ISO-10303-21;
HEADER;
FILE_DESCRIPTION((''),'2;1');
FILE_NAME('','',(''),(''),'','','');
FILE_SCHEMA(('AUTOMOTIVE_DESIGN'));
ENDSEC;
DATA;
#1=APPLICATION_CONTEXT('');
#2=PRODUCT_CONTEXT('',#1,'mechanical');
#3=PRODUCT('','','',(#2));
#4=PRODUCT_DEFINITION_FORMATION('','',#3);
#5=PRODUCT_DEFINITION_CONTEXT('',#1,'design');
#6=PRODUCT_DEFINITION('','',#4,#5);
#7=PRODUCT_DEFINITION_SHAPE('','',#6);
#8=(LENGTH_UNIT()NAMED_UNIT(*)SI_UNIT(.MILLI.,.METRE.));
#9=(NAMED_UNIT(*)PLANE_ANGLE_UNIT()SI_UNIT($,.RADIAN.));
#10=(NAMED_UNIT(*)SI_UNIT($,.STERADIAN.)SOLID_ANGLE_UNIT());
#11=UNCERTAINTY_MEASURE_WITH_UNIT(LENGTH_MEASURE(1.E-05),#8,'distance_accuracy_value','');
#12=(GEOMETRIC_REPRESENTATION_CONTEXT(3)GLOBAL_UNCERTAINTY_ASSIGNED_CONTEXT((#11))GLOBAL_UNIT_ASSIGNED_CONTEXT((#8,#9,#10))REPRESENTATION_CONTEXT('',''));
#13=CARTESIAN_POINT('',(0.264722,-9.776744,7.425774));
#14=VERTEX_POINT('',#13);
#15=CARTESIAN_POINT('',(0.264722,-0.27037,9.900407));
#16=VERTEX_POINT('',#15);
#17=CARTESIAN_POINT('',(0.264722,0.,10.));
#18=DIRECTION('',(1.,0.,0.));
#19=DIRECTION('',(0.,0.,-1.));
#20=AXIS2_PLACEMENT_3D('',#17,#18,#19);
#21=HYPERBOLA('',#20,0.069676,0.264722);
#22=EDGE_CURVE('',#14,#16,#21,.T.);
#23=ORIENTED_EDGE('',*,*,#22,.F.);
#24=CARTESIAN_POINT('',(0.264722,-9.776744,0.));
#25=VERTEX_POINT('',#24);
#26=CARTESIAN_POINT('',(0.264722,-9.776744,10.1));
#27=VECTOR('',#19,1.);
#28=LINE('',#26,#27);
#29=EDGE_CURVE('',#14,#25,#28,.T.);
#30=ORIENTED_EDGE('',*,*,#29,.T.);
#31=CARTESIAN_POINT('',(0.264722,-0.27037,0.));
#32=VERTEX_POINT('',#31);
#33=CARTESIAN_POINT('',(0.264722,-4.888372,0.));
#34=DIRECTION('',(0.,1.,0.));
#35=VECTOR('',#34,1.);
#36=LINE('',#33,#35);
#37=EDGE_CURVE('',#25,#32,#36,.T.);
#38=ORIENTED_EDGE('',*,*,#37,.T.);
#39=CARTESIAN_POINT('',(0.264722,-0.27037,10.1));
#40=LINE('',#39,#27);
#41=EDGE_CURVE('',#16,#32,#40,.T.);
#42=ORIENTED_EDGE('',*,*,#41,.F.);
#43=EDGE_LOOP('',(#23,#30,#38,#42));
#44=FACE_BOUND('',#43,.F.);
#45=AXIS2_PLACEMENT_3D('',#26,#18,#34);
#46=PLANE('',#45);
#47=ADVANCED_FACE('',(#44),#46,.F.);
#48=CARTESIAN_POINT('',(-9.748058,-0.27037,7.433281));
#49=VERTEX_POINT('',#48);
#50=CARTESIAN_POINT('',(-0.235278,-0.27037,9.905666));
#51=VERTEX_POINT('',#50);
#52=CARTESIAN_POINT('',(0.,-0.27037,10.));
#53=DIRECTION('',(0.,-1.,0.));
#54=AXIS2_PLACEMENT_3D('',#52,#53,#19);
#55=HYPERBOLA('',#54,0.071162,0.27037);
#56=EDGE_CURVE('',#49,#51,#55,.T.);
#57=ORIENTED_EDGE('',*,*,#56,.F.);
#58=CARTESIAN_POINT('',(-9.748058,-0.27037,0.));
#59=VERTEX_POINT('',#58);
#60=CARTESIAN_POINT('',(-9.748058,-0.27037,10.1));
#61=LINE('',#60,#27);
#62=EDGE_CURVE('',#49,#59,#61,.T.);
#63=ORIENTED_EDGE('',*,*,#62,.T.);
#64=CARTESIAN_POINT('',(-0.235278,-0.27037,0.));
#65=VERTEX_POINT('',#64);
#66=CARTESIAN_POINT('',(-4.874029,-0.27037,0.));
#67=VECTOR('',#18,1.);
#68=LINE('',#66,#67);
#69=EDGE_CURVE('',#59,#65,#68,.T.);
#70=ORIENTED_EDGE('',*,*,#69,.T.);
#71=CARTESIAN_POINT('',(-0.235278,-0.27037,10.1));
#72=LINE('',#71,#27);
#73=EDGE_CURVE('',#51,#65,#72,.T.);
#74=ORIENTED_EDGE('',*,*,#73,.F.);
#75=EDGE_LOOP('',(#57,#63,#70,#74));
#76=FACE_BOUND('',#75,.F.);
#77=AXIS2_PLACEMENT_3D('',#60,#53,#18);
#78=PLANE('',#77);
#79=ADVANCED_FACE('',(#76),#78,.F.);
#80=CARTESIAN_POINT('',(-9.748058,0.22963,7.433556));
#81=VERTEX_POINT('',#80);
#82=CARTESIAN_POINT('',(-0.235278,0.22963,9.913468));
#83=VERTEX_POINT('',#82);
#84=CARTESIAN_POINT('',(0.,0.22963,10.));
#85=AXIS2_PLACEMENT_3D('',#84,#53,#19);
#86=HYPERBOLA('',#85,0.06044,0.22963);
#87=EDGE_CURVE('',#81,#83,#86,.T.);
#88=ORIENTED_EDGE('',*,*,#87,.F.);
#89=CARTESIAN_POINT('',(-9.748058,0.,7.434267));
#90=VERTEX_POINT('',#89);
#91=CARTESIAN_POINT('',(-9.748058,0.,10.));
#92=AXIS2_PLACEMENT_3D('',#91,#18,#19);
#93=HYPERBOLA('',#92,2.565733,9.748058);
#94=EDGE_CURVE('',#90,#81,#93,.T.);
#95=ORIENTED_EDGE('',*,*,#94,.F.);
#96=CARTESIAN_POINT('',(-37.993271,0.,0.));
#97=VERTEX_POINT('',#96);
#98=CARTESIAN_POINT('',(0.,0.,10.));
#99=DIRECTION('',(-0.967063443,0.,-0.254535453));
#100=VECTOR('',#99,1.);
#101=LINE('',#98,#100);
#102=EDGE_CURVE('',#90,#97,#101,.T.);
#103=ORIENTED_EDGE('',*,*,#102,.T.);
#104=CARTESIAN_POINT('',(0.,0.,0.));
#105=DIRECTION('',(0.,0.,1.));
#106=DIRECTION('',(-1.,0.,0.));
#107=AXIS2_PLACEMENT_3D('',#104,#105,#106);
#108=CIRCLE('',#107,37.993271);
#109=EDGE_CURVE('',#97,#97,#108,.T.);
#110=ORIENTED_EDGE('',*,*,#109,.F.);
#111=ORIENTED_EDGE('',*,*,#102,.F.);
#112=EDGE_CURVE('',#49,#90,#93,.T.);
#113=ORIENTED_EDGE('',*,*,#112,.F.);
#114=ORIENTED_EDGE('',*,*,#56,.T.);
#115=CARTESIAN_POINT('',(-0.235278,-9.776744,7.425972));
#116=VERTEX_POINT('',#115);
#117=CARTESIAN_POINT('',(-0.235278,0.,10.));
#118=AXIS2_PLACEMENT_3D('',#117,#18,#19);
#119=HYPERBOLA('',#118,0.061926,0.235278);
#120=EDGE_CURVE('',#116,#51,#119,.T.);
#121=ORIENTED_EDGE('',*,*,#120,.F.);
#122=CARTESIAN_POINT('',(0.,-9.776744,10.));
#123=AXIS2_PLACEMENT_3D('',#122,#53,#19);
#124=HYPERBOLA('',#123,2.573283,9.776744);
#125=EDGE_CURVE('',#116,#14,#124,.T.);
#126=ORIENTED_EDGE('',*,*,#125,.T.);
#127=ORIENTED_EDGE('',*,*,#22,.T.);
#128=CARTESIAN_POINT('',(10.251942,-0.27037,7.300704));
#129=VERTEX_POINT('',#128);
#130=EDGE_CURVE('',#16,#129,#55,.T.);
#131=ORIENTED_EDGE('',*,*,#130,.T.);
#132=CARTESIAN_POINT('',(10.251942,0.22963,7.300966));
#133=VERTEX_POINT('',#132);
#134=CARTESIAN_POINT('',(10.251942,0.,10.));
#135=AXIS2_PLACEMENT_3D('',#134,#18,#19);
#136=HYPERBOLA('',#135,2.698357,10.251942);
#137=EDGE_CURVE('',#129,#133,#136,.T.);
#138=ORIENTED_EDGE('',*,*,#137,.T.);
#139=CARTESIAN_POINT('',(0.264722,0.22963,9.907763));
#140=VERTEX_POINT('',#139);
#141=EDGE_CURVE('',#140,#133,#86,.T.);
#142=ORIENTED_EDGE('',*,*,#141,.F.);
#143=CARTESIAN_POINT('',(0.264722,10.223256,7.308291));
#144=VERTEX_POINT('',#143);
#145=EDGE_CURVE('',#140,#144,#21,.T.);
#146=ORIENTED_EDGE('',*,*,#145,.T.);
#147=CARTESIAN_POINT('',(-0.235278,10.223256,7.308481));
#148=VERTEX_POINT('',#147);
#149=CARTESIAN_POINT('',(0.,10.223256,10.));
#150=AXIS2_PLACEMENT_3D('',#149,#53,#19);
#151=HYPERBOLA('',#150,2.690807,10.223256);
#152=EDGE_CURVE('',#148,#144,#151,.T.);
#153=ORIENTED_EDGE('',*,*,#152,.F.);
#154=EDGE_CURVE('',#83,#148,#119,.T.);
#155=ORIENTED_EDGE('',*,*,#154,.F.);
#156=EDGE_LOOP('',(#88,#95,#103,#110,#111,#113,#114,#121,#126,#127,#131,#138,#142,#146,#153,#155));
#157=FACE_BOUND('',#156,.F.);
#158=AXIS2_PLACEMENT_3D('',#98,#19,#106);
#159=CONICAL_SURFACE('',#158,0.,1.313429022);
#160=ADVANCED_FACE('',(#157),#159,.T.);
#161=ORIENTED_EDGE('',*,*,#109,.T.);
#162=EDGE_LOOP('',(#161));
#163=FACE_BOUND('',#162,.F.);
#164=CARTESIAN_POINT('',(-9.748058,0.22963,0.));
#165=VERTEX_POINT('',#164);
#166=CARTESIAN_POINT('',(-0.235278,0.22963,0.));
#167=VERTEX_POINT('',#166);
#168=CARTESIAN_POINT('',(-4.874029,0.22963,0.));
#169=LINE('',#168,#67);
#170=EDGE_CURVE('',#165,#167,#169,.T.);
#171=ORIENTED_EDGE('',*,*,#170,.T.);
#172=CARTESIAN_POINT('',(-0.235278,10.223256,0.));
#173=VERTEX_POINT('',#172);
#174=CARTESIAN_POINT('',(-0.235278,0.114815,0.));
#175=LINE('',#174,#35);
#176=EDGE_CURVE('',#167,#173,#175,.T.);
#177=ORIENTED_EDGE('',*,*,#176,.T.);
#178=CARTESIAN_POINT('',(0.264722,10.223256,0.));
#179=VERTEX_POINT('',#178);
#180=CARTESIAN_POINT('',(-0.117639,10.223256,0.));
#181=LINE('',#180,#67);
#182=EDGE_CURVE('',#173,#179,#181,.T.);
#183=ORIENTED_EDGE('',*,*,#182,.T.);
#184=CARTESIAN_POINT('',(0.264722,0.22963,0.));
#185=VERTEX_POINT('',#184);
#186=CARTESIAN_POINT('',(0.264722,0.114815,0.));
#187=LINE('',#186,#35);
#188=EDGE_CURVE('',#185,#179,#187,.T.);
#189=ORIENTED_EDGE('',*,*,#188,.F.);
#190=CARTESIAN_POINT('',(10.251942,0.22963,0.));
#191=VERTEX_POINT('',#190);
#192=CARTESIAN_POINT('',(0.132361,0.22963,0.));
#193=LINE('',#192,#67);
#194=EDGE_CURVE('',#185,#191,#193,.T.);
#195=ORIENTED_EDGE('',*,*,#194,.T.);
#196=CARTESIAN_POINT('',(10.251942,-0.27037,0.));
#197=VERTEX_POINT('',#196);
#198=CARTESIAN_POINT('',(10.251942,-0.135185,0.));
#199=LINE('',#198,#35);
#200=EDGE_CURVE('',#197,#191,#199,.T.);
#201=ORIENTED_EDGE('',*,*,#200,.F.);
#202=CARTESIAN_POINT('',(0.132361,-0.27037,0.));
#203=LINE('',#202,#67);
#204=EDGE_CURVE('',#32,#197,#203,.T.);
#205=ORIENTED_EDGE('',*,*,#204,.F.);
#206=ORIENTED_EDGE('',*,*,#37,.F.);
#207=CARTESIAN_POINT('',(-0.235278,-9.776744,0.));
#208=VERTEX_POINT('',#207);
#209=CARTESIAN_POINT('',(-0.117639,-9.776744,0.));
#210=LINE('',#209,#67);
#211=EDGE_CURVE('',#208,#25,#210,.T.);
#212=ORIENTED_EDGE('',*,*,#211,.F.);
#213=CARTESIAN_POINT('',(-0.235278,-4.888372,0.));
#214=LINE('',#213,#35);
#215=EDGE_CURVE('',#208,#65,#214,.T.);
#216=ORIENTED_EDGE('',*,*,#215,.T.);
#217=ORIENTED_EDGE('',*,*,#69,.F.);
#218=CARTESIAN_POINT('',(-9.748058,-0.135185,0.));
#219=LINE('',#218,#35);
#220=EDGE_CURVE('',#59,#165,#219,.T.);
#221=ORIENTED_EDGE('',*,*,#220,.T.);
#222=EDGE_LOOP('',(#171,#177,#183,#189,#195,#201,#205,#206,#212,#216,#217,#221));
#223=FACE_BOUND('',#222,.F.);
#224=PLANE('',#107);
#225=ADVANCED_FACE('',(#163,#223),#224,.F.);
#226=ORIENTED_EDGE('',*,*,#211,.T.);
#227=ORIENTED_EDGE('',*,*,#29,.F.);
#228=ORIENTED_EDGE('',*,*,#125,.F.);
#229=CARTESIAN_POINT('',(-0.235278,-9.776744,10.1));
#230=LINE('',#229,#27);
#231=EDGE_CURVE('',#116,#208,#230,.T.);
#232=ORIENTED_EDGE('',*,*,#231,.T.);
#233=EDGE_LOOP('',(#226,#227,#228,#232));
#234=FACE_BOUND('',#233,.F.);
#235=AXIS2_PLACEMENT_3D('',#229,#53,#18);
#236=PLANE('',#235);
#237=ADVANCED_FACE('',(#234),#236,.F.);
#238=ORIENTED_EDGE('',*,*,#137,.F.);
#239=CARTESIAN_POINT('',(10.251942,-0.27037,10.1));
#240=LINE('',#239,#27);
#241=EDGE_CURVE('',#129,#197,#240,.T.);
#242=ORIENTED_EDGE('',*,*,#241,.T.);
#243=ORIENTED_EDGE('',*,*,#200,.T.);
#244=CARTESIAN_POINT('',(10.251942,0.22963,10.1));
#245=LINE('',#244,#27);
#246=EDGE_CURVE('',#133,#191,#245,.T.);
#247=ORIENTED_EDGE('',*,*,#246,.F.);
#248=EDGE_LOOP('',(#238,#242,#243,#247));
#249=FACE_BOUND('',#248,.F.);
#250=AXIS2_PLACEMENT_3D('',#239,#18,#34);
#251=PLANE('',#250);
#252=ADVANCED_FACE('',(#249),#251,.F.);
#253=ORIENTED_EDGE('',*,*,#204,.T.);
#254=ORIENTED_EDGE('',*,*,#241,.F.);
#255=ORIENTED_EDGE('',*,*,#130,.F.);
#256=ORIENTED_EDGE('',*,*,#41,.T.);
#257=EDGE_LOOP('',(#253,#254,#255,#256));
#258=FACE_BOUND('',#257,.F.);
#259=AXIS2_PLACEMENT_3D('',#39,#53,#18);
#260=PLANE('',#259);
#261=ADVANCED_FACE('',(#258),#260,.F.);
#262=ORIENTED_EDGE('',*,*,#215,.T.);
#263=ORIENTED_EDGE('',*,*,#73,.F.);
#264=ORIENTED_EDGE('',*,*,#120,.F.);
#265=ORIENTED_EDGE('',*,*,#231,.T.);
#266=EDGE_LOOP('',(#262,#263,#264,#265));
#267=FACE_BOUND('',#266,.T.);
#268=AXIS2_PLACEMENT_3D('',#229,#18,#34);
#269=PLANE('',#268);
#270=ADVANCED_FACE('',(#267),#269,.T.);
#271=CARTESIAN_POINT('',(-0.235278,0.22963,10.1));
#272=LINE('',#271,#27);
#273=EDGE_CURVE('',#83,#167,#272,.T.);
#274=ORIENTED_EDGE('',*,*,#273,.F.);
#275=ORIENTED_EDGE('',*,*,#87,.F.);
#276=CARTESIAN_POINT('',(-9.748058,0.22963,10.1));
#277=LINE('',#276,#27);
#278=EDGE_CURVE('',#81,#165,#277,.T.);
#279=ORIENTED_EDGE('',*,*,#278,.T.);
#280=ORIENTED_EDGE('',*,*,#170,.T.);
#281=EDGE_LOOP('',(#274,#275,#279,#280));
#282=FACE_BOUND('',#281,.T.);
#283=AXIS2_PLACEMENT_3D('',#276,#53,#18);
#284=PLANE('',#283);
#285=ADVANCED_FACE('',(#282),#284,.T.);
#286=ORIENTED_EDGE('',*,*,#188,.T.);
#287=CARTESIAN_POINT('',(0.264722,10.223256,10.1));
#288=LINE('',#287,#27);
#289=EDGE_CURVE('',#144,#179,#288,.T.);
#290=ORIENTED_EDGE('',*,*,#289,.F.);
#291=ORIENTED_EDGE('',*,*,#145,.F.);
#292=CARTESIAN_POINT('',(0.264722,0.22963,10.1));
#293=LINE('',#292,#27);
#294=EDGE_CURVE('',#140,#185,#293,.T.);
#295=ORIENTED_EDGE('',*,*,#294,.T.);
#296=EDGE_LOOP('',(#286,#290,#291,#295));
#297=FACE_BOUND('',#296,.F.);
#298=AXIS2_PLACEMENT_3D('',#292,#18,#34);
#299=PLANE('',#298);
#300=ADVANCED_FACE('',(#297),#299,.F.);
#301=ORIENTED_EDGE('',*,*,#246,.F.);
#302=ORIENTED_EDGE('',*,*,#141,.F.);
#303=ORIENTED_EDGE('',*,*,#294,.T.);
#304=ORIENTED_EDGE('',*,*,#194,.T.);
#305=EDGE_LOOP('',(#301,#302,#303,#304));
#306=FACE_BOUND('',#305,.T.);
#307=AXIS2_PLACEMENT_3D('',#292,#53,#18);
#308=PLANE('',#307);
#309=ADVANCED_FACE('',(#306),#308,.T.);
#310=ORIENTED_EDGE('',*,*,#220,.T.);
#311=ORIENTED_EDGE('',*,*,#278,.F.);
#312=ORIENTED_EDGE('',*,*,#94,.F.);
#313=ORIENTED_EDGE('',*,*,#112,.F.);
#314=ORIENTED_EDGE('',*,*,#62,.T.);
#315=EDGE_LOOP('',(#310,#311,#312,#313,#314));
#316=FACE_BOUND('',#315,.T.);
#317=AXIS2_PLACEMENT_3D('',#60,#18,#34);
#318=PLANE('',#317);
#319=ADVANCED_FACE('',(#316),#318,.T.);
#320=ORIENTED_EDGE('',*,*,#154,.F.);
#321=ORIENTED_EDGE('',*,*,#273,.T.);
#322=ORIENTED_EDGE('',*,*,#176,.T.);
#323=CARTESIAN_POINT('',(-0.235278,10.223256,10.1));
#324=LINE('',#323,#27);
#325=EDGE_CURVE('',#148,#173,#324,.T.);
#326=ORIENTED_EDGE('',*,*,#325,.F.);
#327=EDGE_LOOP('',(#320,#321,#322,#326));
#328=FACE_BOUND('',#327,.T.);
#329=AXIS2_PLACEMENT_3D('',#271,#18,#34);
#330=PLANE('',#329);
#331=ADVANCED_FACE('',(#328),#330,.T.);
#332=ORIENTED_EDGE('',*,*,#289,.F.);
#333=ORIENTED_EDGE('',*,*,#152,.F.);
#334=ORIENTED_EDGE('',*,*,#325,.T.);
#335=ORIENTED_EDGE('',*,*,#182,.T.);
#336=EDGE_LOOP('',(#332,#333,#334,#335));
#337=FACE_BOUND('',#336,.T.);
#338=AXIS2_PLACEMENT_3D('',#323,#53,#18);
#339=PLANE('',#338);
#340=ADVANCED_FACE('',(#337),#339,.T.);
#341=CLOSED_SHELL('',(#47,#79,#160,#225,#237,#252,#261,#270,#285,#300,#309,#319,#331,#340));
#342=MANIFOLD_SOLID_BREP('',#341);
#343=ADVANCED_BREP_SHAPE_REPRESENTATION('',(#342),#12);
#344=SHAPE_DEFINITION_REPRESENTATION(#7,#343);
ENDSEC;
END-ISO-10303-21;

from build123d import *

# Parameters (mm, degrees)
F4_W     = 9.5127796691
F4_H     = 0.5
F4_W_2   = 0.5
F4_H_2   = 9.9936255533
F4_W_3   = 9.9872203309
F4_H_3   = 9.5063744467
F5_DEPTH = 25


with BuildPart() as f2:
    # F1 (on Front) → F2 (revolve)
    with BuildSketch(Plane.XZ):
        Polygon((0, 10), (-37.9932709038, 0), (0, 0), align=None)
    revolve(axis=Axis((0, 0, 0), (0, 0, 1)))

    # F4 (on offset) → F5 (cut)
    with BuildSketch(Plane.XY.offset(10.1)):
        with Locations((-4.9916676883, -0.0203696135)):
            Rectangle(F4_W, F4_H)
        with Locations((0.0147221462, 5.2264431631)):
            Rectangle(F4_W_2, F4_H_2)
        with Locations((0.0147221462, -0.0203696135)):
            Rectangle(F4_W_2, F4_H)
        with Locations((5.2583323117, -0.0203696135)):
            Rectangle(F4_W_3, F4_H)
        with Locations((0.0147221462, -5.0235568369)):
            Rectangle(F4_W_2, F4_H_3)
    extrude(amount=-F5_DEPTH, mode=Mode.SUBTRACT)


solid = f2.part
